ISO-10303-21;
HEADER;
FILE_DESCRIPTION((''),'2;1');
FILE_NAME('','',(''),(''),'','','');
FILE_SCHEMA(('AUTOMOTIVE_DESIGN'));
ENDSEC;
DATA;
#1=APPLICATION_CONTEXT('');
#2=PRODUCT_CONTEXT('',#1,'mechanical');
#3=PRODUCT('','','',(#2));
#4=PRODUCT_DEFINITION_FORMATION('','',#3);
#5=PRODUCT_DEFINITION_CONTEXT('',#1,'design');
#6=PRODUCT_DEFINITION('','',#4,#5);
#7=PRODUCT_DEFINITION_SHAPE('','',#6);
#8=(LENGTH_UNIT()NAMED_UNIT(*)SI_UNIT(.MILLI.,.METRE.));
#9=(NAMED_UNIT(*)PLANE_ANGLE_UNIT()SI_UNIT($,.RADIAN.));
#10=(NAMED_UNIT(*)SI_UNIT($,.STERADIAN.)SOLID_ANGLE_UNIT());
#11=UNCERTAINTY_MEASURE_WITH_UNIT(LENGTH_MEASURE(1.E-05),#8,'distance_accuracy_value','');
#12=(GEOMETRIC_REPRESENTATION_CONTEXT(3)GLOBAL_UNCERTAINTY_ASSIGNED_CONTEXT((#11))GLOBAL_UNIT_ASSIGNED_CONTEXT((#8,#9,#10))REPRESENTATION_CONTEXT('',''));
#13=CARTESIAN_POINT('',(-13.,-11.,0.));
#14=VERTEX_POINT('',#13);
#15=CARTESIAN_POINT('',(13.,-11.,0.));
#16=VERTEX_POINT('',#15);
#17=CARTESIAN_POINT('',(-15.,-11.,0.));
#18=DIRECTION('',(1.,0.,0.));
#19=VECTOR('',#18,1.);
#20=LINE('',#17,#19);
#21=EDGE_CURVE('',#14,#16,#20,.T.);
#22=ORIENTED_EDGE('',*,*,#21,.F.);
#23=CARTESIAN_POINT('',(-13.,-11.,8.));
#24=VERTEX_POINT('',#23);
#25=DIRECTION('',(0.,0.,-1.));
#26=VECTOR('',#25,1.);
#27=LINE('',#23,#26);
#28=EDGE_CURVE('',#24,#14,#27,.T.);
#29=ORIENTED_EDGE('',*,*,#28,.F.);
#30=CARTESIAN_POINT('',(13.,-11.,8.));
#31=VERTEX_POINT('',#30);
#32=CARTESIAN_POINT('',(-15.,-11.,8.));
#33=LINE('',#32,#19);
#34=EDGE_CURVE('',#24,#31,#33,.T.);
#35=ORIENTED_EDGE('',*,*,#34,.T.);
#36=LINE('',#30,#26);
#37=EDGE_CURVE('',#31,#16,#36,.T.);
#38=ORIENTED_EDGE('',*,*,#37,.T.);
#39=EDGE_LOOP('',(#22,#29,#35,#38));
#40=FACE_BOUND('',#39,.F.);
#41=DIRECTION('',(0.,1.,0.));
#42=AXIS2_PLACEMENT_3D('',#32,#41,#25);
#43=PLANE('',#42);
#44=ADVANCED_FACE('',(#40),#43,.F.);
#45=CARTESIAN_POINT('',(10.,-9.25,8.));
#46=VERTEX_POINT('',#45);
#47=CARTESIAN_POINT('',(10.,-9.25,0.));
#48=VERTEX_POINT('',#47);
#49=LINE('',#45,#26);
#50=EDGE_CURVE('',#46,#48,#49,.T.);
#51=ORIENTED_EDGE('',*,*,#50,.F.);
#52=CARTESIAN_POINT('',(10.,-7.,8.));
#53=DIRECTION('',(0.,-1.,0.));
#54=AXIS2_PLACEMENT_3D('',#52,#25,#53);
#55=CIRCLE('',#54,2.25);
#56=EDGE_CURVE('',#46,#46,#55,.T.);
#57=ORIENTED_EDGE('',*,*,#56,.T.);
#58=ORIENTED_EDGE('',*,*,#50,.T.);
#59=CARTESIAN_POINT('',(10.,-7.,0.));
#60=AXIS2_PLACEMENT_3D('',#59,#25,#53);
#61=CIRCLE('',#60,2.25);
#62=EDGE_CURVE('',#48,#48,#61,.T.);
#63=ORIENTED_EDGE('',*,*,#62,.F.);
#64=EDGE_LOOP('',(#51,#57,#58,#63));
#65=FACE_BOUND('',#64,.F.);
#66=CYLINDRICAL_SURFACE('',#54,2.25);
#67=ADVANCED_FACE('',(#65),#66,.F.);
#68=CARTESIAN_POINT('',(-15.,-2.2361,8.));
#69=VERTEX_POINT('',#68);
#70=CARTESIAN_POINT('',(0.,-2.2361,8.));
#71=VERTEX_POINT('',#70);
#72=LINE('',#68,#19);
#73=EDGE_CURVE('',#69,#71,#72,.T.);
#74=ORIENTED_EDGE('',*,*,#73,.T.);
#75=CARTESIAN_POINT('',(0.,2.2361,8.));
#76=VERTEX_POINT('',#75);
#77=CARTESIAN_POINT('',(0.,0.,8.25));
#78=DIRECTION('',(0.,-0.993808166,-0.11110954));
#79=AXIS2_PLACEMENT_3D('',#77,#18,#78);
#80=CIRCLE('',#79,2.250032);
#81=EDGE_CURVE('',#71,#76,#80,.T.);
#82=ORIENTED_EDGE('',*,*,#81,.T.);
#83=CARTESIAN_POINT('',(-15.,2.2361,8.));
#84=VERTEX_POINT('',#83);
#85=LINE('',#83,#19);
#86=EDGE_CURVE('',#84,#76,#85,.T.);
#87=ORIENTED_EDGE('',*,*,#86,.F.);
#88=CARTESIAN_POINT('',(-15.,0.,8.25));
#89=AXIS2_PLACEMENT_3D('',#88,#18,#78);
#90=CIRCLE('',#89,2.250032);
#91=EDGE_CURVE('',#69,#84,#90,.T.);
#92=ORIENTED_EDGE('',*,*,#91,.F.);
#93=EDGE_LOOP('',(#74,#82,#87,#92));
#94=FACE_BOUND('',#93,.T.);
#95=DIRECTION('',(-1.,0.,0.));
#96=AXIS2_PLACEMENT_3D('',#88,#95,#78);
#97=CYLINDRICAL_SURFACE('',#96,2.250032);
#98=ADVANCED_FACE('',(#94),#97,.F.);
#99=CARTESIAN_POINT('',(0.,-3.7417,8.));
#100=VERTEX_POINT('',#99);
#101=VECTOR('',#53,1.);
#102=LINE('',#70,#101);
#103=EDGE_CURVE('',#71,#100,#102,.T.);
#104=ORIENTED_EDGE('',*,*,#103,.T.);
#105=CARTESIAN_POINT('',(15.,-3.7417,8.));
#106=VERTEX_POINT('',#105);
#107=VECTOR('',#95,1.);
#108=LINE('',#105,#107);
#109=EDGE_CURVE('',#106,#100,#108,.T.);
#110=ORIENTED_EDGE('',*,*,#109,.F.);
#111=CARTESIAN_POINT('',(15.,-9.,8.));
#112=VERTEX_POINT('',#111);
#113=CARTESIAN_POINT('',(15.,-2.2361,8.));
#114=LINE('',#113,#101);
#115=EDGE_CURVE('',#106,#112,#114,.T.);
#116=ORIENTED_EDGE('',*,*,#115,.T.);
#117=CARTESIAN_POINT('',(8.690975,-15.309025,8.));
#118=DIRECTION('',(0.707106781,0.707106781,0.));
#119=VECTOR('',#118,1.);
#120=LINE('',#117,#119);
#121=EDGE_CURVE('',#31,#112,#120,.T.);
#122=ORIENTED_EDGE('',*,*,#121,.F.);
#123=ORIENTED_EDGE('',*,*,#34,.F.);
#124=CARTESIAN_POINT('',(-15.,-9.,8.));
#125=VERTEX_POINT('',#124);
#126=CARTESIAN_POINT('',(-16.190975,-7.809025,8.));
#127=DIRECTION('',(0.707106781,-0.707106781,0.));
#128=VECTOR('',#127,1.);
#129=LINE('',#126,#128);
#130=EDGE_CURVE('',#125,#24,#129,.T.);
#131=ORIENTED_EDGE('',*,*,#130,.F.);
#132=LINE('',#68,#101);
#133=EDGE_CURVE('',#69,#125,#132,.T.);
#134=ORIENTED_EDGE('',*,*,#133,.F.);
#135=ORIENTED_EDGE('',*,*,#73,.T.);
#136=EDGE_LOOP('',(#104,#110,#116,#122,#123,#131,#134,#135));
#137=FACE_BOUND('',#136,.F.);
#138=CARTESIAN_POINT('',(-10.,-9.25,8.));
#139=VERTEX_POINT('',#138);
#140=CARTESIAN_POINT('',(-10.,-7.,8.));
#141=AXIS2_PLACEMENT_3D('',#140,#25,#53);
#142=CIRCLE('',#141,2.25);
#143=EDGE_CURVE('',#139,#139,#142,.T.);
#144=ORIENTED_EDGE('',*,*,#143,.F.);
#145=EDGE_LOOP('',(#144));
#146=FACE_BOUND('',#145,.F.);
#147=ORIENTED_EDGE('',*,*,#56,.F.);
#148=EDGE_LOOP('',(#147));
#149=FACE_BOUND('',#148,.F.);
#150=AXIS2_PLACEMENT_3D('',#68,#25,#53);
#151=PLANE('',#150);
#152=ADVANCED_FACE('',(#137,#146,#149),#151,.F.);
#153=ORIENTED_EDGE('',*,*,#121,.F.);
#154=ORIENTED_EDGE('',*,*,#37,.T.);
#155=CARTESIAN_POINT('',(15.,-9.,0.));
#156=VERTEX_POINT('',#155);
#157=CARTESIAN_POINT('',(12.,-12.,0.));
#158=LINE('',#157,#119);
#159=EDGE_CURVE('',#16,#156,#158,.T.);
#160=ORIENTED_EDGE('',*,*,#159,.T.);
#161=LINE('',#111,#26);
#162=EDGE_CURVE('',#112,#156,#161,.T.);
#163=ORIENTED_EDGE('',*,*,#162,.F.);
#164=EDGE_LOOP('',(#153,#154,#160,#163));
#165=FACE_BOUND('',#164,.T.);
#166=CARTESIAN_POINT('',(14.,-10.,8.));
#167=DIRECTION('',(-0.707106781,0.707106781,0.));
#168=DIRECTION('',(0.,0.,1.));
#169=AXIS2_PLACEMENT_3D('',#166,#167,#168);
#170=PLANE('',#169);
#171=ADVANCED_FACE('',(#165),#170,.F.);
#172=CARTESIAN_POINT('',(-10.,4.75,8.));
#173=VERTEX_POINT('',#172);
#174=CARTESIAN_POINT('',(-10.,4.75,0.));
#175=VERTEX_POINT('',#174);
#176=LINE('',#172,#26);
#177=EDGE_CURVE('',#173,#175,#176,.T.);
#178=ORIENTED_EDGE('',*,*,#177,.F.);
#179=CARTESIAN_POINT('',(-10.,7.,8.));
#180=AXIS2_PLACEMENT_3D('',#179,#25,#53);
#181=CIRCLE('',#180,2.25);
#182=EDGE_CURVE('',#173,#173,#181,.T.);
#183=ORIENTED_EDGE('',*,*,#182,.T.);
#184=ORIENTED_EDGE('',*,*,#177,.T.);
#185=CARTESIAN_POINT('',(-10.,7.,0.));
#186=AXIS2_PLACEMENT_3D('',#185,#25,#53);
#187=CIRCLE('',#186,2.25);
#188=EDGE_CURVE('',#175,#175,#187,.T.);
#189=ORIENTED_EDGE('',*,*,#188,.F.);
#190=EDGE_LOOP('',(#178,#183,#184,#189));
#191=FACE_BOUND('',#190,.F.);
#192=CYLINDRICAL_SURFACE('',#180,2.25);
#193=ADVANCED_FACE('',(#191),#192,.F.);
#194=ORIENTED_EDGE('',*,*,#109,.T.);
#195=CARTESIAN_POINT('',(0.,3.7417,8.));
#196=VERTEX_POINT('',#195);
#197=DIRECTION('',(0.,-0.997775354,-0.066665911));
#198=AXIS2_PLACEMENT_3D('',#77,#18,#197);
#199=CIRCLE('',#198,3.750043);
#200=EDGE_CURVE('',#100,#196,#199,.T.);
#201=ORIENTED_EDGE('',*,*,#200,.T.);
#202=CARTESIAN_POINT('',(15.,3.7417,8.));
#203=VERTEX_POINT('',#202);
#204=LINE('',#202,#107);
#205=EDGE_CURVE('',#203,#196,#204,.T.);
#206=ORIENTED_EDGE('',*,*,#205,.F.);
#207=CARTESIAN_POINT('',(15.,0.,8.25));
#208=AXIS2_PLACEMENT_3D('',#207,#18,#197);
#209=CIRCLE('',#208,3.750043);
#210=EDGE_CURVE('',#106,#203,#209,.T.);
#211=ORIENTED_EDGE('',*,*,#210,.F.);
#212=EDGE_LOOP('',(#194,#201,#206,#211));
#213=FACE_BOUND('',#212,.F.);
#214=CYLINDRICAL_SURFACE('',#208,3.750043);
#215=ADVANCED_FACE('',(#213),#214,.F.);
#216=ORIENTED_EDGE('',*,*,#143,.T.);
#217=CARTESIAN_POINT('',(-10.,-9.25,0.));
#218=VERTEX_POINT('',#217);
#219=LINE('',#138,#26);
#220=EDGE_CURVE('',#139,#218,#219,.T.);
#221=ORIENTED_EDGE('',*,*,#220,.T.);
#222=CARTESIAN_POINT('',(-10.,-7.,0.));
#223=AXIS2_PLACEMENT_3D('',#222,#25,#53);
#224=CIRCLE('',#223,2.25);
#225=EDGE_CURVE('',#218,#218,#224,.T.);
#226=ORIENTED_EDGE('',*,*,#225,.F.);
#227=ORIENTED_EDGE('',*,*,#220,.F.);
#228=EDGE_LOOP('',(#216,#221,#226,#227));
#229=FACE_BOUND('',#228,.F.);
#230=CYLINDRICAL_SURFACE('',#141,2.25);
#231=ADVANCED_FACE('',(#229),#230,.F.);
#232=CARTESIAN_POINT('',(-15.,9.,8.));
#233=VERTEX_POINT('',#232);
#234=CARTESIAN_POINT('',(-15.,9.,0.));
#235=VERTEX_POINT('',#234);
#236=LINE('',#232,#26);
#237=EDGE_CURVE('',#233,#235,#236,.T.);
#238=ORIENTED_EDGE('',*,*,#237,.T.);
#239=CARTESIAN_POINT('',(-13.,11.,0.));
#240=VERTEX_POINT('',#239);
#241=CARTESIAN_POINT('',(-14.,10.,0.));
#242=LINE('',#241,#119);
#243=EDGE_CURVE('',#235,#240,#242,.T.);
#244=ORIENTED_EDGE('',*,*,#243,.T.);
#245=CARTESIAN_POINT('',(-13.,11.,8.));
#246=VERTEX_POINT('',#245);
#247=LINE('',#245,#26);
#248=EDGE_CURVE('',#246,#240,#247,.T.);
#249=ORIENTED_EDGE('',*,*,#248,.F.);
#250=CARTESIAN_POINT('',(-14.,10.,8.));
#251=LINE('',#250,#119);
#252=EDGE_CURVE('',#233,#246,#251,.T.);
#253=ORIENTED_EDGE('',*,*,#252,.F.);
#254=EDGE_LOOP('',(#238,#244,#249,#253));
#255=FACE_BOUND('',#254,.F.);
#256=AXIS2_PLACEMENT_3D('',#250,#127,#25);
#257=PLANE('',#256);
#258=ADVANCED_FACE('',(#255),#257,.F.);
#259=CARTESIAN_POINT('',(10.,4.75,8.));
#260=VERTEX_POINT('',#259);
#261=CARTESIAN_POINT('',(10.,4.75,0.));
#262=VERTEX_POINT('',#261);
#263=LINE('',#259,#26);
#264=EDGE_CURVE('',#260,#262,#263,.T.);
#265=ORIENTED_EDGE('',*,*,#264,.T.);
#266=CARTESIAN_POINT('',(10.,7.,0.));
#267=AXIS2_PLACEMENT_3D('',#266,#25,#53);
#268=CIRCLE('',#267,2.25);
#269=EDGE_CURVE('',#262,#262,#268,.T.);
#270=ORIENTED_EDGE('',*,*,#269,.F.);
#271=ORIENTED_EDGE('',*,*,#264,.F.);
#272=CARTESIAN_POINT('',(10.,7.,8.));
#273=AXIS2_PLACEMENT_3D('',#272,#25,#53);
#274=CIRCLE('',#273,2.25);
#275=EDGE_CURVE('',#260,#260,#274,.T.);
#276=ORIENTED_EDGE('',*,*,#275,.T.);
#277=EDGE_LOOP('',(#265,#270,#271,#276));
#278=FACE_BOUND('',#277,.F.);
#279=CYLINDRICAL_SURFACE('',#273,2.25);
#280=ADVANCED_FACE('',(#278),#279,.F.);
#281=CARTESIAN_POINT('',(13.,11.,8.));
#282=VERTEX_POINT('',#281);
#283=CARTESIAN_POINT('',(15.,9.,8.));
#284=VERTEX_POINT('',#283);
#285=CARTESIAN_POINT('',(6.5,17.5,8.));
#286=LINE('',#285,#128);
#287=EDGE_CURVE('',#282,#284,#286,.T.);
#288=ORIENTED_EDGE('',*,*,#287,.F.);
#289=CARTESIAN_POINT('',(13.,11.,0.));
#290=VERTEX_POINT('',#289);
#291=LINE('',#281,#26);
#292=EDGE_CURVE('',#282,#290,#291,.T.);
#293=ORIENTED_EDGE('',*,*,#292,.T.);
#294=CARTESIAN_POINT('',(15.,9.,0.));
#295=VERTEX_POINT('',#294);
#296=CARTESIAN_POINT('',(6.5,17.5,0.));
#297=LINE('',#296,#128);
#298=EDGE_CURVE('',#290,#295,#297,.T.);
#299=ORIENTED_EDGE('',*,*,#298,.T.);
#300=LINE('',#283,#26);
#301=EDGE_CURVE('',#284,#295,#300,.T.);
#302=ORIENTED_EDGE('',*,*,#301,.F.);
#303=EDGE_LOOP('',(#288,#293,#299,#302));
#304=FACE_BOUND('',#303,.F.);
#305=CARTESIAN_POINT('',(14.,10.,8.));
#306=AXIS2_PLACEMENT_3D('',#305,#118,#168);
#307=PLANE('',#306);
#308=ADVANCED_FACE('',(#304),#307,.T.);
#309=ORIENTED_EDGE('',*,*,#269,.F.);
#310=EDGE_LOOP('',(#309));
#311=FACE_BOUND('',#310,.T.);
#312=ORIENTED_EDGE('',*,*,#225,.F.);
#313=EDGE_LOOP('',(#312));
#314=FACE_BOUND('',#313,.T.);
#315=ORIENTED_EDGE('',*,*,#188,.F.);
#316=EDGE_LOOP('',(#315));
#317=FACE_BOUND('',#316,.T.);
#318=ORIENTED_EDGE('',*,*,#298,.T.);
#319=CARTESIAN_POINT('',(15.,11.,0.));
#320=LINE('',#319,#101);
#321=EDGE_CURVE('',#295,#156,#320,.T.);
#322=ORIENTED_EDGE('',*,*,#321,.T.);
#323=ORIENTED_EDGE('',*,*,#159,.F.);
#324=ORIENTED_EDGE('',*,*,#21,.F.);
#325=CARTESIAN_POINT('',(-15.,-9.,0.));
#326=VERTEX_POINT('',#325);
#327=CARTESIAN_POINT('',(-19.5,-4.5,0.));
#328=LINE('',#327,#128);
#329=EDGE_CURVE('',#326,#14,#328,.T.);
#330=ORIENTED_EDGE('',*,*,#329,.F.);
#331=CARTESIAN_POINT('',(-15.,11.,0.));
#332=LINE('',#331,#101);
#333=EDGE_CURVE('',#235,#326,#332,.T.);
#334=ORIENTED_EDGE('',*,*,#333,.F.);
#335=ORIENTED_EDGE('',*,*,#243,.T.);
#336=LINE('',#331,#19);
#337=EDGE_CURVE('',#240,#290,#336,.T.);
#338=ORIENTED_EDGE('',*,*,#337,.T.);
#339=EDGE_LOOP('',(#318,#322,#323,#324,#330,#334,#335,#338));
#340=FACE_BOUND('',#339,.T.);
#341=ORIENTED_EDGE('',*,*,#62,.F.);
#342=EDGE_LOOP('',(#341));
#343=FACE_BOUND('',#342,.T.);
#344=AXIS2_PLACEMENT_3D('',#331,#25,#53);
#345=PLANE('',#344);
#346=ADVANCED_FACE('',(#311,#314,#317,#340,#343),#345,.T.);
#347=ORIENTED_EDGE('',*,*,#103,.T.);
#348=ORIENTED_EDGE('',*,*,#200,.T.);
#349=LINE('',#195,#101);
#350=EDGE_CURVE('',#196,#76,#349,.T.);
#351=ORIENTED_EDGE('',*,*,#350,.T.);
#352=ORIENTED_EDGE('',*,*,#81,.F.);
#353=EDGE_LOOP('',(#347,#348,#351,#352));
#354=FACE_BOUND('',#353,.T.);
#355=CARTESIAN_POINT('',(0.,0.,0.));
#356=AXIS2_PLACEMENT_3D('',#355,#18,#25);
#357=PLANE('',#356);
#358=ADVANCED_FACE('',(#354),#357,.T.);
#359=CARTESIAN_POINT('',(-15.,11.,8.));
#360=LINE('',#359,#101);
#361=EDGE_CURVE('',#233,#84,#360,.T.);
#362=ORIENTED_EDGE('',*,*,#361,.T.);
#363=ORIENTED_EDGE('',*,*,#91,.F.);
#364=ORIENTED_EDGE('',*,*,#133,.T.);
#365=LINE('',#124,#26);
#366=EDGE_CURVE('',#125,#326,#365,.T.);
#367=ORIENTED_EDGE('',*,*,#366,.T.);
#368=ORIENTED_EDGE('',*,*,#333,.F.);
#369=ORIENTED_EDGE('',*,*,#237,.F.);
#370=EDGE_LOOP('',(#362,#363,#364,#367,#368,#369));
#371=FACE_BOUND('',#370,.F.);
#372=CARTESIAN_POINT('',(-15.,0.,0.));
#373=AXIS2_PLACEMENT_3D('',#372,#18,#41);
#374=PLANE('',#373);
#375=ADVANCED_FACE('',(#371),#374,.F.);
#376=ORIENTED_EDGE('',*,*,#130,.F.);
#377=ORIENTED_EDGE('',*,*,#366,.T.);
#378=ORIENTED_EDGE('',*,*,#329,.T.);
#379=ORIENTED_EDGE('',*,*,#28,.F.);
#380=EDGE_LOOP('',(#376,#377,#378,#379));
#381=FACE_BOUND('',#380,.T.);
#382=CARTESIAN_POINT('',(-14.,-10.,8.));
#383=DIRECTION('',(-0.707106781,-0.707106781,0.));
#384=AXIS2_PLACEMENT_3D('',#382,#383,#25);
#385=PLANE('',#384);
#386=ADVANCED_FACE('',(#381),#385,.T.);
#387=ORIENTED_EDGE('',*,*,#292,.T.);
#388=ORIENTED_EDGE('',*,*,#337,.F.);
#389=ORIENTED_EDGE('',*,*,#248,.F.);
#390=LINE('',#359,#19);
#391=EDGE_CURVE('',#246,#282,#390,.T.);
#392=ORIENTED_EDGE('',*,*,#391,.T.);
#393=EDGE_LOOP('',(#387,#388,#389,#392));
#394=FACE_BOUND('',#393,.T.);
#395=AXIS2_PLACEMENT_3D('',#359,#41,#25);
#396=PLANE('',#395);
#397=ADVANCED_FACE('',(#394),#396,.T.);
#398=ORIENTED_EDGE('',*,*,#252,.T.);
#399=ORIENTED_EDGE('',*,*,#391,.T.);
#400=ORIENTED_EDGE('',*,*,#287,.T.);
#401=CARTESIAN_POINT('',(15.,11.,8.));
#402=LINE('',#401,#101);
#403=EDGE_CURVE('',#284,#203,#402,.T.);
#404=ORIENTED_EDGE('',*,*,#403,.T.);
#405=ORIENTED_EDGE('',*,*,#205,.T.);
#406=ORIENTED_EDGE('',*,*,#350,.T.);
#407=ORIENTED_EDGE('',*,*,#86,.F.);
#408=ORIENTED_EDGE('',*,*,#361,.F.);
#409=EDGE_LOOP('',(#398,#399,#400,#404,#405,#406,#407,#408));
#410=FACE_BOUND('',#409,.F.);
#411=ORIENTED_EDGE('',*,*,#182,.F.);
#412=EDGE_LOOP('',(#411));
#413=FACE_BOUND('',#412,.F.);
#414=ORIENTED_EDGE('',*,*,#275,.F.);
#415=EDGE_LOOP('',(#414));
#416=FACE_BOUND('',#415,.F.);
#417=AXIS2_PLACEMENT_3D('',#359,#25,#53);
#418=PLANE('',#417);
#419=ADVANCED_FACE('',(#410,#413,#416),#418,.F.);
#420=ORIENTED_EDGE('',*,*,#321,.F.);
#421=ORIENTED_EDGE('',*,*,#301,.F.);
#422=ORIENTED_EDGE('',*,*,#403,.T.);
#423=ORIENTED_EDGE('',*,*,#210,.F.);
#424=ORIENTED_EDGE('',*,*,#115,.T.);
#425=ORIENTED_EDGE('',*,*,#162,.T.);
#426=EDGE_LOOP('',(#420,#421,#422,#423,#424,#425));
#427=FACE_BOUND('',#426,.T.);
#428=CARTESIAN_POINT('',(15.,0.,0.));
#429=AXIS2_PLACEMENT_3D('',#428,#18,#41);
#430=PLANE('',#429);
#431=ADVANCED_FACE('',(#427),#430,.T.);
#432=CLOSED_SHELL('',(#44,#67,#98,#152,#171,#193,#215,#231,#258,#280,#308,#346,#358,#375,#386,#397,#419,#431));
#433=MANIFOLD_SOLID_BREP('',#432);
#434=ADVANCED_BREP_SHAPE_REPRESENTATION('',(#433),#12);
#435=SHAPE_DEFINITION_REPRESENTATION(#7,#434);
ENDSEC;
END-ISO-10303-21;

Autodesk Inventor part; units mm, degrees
ref_plane "XZ Plane" through (0, 0, 0) normal (0, 1, 0) x (-1, 0, 0)
ref_plane "XY Plane" through (0, 0, 0) normal (0, 0, 1) x (1, 0, 0)
ref_plane "Work Plane1" through (-15, 0, 0) normal (1, 0, 0) x (0, 1, 0)
sketch "Sketch1" plane through (-15, 0, 0) normal (1, 0, 0) x (0, 1, 0)
  line L0 (11, 0) -> (-11, 0)
  line L1 (11, 8) -> (11, 0)
  line L2 (11, 8) -> (2.2361, 8)
  line L3 (-11, 8) -> (-11, 0)
  line L4 (-2.2361, 8) -> (-11, 8)
  arc A0 (-2.2361, 8) -> (2.2361, 8) centre (0, 8.25) ccw
extrude "Extrusion2" add sketch "Sketch1" along normal blind 30
sketch "Sketch2" plane through (15, 0, 0) normal (1, 0, 0) x (0, 0, -1)
  line L0 (-8, -2.2361) -> (-8, -3.7417)
  arc A0 (-8, -2.2361) -> (-8, 2.2361) centre (-8.25, 0) ccw
  arc A1 (-8, -3.7417) -> (-8, 3.7417) centre (-8.25, 0) ccw
  line L1 (-8, 3.7417) -> (-8, 2.2361)
extrude "Extrusion1" cut sketch "Sketch2" against normal blind 15
hole "Hole4" at (10, -7, 8) direction (0, 0, -1) diameter 4.5 depth 8
hole "Hole3" at (10, 7, 8) direction (0, 0, -1) diameter 4.5 depth 8
sketch "Sketch4" plane through (-15, -11, 8) normal (0, 0, 1) x (1, 0, 0)
  point P0 (25, 18)
hole "Hole2" at (-10, -7, 8) direction (0, 0, -1) diameter 4.5 depth 8
sketch "Sketch3" plane through (-15, -11, 8) normal (0, 0, 1) x (1, 0, 0)
  point P0 (25, 4)
hole "Hole1" at (-10, 7, 8) direction (0, 0, -1) diameter 4.5 depth 8
chamfer "Chamfer4" distance 2 angle 45 1 edges at (-15, -11, 4)
chamfer "Chamfer3" distance 2 angle 45 1 edges at (15, -11, 4)
chamfer "Chamfer2" distance 2 angle 45 1 edges at (-15, 11, 4)
chamfer "Chamfer1" distance 2 angle 45 1 edges at (15, 11, 4)
sketch "Sketch5" plane through (-15, -11, 8) normal (0, 0, 1) x (1, 0, 0)
  point P0 (5, 4)
sketch "Sketch6" plane through (-15, -11, 8) normal (0, 0, 1) x (1, 0, 0)
  point P0 (5, 18)
properties part number "Piston driver clamp" material "ASA Plastic"
